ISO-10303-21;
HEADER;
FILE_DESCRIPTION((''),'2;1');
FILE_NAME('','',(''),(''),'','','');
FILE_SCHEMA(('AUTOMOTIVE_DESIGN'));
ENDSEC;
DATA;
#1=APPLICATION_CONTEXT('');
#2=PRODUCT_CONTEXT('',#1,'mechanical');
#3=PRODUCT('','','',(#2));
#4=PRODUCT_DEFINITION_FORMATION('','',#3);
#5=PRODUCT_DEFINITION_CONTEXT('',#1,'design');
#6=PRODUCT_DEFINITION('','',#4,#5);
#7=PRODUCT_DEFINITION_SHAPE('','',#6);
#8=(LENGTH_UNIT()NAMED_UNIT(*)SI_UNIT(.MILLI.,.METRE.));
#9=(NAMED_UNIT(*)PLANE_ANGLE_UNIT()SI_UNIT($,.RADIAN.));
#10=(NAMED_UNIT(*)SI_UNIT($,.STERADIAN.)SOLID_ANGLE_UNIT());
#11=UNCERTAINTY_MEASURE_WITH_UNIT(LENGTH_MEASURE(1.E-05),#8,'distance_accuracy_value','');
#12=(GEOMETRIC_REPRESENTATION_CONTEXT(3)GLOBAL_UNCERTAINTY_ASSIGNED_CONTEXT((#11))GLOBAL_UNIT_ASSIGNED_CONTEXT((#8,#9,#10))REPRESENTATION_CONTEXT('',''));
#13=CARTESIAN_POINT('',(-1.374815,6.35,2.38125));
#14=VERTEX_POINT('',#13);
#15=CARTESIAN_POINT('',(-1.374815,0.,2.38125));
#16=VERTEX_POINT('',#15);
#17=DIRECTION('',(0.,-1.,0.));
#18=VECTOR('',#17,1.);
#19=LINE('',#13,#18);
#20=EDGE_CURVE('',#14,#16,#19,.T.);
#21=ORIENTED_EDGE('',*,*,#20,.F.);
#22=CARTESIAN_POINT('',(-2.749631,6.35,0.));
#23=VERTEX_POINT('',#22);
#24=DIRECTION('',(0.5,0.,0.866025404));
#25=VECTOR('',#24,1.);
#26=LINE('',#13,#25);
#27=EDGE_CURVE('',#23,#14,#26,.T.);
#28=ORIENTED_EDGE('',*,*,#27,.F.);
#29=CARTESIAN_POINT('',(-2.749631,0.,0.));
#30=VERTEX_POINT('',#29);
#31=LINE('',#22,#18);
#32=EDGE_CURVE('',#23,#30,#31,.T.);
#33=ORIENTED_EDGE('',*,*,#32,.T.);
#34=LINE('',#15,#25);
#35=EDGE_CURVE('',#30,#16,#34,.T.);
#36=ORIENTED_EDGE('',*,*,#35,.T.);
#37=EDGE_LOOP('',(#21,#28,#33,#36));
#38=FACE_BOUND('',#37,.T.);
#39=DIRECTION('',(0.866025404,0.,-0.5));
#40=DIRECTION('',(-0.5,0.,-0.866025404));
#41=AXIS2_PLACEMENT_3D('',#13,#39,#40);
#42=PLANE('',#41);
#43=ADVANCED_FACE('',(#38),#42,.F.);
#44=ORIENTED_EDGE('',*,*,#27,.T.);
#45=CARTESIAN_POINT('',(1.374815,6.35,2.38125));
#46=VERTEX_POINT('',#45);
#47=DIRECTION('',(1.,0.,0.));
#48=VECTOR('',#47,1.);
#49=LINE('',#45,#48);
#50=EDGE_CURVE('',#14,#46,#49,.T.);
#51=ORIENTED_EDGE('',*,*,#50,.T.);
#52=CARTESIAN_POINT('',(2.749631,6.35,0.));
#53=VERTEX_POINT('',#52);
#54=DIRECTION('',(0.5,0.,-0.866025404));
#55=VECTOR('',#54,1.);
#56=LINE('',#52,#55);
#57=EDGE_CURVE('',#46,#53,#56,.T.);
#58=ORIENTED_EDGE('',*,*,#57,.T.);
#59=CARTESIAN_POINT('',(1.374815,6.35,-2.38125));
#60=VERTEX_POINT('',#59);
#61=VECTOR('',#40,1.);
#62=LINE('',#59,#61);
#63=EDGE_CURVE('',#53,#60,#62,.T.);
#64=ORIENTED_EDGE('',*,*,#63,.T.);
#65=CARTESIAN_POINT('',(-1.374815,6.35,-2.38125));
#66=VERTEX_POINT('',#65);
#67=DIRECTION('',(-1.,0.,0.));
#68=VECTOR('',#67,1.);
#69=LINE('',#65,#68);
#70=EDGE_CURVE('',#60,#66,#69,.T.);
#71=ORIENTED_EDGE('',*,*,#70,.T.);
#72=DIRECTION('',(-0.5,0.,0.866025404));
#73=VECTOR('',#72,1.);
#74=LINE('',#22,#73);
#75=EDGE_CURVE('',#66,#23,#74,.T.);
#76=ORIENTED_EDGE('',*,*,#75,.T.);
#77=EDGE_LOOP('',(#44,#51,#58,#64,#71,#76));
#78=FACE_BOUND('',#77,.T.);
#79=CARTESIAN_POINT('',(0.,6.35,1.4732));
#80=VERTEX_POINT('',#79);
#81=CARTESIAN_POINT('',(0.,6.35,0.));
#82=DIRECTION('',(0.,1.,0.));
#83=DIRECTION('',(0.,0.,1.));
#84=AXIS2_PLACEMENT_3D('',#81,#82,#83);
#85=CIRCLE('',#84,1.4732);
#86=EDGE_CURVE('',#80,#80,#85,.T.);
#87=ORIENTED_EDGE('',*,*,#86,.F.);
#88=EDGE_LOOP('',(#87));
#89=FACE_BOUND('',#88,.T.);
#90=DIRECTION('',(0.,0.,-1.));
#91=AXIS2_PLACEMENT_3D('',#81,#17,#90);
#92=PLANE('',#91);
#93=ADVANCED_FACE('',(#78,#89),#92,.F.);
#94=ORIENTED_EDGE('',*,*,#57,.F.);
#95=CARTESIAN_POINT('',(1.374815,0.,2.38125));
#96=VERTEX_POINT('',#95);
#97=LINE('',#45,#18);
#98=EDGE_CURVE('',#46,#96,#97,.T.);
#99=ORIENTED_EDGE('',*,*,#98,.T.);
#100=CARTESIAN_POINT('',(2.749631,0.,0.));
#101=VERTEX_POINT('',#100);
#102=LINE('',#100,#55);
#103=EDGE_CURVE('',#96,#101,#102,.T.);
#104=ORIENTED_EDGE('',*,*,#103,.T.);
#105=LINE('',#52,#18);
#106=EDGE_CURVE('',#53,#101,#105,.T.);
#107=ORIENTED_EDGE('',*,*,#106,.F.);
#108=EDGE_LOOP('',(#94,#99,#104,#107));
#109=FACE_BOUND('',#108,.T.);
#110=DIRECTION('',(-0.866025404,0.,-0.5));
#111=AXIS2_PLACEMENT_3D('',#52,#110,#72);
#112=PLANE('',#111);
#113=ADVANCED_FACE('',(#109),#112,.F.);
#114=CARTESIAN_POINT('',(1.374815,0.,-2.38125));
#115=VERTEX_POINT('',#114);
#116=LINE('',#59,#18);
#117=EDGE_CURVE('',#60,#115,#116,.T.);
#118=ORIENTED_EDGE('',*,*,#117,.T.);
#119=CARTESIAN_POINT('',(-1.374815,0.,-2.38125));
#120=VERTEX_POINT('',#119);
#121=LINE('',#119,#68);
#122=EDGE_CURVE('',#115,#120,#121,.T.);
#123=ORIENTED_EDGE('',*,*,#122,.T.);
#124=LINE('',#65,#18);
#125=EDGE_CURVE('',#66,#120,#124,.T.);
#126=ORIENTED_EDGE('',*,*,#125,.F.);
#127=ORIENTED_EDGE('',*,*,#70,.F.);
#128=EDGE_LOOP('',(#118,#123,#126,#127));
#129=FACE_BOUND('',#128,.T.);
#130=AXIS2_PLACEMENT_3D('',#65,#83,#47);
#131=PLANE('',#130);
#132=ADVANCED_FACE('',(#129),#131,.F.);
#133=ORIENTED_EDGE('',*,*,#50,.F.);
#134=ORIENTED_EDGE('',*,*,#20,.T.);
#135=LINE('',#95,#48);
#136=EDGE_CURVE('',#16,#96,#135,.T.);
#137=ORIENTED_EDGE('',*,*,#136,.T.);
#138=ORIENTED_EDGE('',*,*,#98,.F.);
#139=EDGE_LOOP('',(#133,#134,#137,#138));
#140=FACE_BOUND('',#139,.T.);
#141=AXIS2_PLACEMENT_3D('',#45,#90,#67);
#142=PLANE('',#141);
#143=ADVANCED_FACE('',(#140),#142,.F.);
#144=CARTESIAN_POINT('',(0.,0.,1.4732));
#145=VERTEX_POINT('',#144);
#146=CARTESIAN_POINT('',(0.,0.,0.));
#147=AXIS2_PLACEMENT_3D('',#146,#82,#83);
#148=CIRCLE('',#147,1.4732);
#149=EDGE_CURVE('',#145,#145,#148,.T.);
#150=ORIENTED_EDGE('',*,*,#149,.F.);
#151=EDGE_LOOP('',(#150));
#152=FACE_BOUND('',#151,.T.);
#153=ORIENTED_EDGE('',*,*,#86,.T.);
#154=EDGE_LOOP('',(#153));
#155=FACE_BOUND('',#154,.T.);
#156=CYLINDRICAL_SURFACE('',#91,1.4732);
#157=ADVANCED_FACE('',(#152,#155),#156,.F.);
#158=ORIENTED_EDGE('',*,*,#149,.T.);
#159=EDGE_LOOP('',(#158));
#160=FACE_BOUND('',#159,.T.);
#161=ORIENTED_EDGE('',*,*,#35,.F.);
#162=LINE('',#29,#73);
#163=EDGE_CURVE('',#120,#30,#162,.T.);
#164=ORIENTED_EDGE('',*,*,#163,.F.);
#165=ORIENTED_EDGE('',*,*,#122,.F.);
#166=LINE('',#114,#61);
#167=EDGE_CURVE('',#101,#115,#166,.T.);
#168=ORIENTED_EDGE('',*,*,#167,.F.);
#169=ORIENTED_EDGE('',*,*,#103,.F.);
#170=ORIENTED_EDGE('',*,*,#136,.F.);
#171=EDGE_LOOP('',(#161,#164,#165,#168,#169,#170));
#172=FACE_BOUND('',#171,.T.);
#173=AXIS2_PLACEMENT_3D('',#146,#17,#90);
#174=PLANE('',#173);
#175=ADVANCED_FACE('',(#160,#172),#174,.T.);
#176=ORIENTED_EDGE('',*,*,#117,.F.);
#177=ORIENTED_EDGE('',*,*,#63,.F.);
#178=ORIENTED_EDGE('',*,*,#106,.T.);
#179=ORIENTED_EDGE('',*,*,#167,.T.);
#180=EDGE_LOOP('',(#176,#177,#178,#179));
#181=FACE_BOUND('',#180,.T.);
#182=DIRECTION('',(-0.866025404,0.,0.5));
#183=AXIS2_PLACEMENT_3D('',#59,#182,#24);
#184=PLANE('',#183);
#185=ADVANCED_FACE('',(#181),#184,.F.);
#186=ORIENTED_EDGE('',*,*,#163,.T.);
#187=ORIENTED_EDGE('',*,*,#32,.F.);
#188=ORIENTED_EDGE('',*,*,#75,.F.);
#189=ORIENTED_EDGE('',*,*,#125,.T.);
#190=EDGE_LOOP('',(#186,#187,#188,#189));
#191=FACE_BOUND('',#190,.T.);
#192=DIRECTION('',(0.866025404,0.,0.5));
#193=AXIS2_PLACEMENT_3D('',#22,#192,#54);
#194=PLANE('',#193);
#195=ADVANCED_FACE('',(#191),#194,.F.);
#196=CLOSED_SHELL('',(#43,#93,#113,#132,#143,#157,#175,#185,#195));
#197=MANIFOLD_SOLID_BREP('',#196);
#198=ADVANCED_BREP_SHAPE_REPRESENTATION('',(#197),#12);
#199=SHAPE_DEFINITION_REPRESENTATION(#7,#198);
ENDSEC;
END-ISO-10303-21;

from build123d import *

# Parameters (mm, degrees)
SKETCH1_R           = 1.4732
BOSS_EXTRUDE1_DEPTH = 6.35


with BuildPart() as part:
    # Sketch1 → Boss-Extrude1 (new body)
    with BuildSketch(Plane(origin=(0, 0, 0), x_dir=(1, 0, 0), z_dir=(0, 1, 0))):
        Polygon((-2.749630657, 0), (-1.374815329, 2.38125), (1.374815329, 2.38125), (2.749630657, 0), (1.374815329, -2.38125), (-1.374815329, -2.38125), align=None)
        Circle(SKETCH1_R, mode=Mode.SUBTRACT)
    extrude(amount=BOSS_EXTRUDE1_DEPTH)


solid = part.part
